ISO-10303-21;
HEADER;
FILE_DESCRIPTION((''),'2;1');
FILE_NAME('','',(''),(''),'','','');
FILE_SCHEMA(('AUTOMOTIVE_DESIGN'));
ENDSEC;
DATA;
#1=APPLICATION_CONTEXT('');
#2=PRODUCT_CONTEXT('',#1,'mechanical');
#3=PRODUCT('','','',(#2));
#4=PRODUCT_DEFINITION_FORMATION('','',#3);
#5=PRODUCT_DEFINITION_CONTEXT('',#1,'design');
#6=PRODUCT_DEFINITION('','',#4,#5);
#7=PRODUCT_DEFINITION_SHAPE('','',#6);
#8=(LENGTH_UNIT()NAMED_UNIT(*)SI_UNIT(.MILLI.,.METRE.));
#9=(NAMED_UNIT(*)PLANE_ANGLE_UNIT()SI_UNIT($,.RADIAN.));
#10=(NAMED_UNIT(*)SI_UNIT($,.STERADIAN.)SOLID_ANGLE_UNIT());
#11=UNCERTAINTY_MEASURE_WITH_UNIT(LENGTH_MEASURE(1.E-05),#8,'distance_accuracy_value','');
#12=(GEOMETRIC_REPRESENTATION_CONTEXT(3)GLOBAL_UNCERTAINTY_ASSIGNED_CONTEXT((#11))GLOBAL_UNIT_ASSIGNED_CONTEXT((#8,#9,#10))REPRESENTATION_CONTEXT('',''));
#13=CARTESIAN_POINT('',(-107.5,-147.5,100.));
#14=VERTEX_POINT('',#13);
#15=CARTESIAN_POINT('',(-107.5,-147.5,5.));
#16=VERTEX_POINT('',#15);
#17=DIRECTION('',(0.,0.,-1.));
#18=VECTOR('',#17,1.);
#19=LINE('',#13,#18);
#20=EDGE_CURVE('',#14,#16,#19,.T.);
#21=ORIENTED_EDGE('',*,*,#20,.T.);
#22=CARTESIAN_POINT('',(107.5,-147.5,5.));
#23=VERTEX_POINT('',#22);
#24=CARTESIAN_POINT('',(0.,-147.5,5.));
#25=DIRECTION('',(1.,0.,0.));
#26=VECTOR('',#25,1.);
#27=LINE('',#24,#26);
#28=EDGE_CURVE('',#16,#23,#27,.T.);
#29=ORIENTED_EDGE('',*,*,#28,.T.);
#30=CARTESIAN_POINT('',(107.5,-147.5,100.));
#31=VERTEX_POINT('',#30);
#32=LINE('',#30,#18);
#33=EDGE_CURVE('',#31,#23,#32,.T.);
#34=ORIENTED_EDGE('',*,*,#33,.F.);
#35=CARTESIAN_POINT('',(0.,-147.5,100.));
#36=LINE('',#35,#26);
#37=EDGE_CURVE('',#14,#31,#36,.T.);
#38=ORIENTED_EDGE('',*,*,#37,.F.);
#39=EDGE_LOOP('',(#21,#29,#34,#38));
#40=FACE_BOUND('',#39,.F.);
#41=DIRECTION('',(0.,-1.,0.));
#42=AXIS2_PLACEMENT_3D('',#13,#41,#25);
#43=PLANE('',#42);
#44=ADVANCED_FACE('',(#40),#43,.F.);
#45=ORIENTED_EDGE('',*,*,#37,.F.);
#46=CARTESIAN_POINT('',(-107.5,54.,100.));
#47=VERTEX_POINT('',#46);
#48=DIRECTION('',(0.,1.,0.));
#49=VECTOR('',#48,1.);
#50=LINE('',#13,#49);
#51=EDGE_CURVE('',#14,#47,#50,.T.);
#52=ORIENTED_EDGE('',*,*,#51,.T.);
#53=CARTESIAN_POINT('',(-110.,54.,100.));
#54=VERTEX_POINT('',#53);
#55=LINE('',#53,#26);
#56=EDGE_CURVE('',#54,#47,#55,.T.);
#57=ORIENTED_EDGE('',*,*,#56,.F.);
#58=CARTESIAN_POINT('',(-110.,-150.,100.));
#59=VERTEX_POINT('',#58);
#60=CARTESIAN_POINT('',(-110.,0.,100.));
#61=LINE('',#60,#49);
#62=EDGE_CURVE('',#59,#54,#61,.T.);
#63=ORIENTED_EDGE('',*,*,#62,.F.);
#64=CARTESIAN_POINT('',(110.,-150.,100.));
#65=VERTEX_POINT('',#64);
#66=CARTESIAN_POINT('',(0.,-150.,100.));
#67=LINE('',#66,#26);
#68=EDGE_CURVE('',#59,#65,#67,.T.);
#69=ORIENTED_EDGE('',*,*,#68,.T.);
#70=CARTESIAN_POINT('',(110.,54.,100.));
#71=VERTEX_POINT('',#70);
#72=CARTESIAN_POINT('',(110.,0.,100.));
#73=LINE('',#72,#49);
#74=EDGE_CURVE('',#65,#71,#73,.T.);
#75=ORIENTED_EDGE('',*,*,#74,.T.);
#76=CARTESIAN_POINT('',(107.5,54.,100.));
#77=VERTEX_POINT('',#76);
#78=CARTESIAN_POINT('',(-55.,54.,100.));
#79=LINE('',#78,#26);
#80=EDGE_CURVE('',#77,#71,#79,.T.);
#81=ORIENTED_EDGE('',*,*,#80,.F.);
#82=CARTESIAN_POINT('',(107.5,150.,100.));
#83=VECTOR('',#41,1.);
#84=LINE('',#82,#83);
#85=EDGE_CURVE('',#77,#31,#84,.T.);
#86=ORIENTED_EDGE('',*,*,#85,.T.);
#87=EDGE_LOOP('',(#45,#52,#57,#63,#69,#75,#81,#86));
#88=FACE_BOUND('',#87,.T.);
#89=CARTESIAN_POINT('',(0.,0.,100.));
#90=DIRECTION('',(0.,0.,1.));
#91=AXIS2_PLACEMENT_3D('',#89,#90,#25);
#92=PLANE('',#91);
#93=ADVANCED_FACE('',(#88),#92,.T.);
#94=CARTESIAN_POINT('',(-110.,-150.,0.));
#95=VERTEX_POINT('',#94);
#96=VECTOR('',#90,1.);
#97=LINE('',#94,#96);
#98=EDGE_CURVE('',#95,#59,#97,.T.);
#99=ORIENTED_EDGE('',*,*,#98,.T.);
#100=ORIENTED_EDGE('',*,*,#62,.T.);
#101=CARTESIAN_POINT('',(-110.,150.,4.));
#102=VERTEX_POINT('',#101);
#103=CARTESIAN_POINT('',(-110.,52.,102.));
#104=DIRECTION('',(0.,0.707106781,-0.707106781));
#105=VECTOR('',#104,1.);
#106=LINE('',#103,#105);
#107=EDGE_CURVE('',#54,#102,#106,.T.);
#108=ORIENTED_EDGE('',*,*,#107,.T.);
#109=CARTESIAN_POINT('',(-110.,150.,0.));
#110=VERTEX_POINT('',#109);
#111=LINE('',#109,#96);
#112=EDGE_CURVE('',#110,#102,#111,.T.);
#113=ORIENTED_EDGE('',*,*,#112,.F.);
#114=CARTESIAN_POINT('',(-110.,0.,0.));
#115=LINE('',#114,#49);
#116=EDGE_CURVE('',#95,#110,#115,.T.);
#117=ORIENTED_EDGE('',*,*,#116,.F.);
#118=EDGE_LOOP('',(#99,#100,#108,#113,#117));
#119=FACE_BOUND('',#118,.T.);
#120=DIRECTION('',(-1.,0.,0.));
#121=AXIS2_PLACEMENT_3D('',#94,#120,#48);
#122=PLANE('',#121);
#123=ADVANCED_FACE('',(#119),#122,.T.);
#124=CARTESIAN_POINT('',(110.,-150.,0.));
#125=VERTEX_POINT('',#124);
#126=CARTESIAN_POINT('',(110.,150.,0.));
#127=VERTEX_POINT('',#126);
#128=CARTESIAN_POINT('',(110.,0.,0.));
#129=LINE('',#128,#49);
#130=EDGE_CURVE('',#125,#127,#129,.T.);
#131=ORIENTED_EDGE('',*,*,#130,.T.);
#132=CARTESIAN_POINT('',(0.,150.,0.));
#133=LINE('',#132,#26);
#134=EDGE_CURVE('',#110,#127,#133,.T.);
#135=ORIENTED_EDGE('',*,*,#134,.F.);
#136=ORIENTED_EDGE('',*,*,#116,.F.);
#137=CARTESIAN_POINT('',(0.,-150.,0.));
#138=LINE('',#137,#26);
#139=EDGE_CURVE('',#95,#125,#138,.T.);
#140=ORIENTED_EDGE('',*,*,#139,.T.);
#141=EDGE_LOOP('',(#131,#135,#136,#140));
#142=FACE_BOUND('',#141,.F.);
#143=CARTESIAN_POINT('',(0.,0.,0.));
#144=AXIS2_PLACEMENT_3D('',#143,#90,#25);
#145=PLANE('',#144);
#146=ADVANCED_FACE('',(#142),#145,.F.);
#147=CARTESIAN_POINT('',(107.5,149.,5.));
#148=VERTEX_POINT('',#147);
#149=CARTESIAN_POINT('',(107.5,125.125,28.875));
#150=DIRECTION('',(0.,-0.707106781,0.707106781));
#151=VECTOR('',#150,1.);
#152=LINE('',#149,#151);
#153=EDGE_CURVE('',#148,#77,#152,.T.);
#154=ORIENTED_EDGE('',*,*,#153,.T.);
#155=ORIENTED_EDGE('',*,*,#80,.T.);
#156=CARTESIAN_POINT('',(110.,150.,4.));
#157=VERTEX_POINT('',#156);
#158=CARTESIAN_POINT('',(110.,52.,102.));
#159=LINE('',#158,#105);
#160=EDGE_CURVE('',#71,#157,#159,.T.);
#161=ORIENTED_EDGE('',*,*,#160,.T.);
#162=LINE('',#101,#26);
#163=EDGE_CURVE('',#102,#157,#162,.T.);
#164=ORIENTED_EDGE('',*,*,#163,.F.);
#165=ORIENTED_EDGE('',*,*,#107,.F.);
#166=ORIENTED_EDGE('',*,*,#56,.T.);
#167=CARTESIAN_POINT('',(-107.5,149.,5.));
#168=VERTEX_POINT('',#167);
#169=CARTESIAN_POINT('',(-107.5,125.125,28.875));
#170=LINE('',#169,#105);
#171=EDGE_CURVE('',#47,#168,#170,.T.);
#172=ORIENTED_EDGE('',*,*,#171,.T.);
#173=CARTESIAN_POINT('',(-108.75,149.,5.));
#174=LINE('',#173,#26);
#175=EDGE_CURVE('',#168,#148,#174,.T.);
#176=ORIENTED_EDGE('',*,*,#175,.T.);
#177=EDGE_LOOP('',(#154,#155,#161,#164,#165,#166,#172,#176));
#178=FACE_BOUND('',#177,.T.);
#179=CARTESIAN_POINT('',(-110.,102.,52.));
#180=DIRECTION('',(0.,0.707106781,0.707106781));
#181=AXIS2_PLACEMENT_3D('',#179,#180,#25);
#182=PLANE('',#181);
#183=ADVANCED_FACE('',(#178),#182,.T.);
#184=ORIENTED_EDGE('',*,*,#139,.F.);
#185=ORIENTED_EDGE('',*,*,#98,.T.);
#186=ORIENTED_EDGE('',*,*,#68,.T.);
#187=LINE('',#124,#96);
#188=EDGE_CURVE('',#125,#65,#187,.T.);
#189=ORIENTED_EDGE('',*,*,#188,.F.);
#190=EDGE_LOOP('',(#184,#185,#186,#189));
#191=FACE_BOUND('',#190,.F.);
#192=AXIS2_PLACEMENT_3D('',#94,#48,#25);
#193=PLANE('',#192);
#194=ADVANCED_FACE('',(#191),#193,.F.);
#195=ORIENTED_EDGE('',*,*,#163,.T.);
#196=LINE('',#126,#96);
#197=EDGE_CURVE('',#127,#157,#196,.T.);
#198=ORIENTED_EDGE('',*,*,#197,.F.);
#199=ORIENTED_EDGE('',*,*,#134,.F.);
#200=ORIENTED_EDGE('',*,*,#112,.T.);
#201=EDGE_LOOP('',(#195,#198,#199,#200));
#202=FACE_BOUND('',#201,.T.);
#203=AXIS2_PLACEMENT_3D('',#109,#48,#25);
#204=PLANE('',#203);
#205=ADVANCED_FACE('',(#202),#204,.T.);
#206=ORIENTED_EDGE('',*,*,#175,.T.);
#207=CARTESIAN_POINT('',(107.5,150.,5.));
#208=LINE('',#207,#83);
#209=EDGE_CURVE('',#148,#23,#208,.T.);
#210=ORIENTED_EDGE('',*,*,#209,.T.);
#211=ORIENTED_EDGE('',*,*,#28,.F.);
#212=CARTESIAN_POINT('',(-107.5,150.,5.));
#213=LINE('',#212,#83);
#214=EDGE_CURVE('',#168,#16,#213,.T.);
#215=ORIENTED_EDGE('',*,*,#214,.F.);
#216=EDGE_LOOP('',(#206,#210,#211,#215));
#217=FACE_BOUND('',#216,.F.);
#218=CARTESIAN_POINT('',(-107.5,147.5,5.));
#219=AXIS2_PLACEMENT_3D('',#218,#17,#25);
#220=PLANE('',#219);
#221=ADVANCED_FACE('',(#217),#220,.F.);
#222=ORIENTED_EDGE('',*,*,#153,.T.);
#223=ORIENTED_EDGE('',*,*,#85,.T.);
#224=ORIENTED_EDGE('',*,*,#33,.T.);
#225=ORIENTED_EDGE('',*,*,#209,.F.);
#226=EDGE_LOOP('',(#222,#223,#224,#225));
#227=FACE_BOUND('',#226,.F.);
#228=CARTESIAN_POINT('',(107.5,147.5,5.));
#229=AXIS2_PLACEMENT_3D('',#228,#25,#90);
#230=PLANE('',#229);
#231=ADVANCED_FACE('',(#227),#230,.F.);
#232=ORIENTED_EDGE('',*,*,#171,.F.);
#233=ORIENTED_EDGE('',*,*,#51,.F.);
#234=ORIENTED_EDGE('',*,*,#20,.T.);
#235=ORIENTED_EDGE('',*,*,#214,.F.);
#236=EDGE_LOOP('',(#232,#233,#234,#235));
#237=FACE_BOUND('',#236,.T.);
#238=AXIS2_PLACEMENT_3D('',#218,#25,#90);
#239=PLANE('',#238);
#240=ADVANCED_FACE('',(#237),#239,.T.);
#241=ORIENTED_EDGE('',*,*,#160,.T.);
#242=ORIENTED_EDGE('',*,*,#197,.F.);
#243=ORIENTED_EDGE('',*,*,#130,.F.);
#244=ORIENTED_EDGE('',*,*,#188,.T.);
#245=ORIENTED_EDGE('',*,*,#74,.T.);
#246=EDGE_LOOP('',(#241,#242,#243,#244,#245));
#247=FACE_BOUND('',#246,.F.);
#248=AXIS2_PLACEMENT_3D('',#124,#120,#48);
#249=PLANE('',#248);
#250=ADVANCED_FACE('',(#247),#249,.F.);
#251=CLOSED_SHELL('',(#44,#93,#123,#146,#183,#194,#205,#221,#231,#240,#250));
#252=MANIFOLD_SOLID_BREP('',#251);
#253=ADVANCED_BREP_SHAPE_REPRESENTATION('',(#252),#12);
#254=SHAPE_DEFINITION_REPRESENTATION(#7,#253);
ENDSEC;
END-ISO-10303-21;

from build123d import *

# Parameters (mm, degrees)
F0_W     = 220
F0_H     = 300
F1_DEPTH = 100
F2_W     = 215
F2_H     = 295
F3_DEPTH = 95
F4_W     = 215
F4_H     = 95
F5_DEPTH = 5
F6_SIZE  = 96


with BuildPart() as f1:
    # F0 (on Top) → F1 (new body)
    with BuildSketch(Plane.XY):
        Rectangle(F0_W, F0_H)
    extrude(amount=F1_DEPTH)

    # F2 (on face) → F3 (cut)
    with BuildSketch(Plane.XY.offset(100)):
        Rectangle(F2_W, F2_H)
    extrude(amount=-F3_DEPTH, mode=Mode.SUBTRACT)

    # F4 (on face) → F5 (cut)
    with BuildSketch(Plane.XZ.offset(-147.5)):
        with Locations((0, 52.5)):
            Rectangle(F4_W, F4_H)
    extrude(amount=-F5_DEPTH, mode=Mode.SUBTRACT)

    # F6
    f6_edges = [f1.edges().sort_by_distance(p)[0] for p in [
        (-108.75, 150, 100),
    ]]
    chamfer(f6_edges, length=F6_SIZE)


solid = f1.part
